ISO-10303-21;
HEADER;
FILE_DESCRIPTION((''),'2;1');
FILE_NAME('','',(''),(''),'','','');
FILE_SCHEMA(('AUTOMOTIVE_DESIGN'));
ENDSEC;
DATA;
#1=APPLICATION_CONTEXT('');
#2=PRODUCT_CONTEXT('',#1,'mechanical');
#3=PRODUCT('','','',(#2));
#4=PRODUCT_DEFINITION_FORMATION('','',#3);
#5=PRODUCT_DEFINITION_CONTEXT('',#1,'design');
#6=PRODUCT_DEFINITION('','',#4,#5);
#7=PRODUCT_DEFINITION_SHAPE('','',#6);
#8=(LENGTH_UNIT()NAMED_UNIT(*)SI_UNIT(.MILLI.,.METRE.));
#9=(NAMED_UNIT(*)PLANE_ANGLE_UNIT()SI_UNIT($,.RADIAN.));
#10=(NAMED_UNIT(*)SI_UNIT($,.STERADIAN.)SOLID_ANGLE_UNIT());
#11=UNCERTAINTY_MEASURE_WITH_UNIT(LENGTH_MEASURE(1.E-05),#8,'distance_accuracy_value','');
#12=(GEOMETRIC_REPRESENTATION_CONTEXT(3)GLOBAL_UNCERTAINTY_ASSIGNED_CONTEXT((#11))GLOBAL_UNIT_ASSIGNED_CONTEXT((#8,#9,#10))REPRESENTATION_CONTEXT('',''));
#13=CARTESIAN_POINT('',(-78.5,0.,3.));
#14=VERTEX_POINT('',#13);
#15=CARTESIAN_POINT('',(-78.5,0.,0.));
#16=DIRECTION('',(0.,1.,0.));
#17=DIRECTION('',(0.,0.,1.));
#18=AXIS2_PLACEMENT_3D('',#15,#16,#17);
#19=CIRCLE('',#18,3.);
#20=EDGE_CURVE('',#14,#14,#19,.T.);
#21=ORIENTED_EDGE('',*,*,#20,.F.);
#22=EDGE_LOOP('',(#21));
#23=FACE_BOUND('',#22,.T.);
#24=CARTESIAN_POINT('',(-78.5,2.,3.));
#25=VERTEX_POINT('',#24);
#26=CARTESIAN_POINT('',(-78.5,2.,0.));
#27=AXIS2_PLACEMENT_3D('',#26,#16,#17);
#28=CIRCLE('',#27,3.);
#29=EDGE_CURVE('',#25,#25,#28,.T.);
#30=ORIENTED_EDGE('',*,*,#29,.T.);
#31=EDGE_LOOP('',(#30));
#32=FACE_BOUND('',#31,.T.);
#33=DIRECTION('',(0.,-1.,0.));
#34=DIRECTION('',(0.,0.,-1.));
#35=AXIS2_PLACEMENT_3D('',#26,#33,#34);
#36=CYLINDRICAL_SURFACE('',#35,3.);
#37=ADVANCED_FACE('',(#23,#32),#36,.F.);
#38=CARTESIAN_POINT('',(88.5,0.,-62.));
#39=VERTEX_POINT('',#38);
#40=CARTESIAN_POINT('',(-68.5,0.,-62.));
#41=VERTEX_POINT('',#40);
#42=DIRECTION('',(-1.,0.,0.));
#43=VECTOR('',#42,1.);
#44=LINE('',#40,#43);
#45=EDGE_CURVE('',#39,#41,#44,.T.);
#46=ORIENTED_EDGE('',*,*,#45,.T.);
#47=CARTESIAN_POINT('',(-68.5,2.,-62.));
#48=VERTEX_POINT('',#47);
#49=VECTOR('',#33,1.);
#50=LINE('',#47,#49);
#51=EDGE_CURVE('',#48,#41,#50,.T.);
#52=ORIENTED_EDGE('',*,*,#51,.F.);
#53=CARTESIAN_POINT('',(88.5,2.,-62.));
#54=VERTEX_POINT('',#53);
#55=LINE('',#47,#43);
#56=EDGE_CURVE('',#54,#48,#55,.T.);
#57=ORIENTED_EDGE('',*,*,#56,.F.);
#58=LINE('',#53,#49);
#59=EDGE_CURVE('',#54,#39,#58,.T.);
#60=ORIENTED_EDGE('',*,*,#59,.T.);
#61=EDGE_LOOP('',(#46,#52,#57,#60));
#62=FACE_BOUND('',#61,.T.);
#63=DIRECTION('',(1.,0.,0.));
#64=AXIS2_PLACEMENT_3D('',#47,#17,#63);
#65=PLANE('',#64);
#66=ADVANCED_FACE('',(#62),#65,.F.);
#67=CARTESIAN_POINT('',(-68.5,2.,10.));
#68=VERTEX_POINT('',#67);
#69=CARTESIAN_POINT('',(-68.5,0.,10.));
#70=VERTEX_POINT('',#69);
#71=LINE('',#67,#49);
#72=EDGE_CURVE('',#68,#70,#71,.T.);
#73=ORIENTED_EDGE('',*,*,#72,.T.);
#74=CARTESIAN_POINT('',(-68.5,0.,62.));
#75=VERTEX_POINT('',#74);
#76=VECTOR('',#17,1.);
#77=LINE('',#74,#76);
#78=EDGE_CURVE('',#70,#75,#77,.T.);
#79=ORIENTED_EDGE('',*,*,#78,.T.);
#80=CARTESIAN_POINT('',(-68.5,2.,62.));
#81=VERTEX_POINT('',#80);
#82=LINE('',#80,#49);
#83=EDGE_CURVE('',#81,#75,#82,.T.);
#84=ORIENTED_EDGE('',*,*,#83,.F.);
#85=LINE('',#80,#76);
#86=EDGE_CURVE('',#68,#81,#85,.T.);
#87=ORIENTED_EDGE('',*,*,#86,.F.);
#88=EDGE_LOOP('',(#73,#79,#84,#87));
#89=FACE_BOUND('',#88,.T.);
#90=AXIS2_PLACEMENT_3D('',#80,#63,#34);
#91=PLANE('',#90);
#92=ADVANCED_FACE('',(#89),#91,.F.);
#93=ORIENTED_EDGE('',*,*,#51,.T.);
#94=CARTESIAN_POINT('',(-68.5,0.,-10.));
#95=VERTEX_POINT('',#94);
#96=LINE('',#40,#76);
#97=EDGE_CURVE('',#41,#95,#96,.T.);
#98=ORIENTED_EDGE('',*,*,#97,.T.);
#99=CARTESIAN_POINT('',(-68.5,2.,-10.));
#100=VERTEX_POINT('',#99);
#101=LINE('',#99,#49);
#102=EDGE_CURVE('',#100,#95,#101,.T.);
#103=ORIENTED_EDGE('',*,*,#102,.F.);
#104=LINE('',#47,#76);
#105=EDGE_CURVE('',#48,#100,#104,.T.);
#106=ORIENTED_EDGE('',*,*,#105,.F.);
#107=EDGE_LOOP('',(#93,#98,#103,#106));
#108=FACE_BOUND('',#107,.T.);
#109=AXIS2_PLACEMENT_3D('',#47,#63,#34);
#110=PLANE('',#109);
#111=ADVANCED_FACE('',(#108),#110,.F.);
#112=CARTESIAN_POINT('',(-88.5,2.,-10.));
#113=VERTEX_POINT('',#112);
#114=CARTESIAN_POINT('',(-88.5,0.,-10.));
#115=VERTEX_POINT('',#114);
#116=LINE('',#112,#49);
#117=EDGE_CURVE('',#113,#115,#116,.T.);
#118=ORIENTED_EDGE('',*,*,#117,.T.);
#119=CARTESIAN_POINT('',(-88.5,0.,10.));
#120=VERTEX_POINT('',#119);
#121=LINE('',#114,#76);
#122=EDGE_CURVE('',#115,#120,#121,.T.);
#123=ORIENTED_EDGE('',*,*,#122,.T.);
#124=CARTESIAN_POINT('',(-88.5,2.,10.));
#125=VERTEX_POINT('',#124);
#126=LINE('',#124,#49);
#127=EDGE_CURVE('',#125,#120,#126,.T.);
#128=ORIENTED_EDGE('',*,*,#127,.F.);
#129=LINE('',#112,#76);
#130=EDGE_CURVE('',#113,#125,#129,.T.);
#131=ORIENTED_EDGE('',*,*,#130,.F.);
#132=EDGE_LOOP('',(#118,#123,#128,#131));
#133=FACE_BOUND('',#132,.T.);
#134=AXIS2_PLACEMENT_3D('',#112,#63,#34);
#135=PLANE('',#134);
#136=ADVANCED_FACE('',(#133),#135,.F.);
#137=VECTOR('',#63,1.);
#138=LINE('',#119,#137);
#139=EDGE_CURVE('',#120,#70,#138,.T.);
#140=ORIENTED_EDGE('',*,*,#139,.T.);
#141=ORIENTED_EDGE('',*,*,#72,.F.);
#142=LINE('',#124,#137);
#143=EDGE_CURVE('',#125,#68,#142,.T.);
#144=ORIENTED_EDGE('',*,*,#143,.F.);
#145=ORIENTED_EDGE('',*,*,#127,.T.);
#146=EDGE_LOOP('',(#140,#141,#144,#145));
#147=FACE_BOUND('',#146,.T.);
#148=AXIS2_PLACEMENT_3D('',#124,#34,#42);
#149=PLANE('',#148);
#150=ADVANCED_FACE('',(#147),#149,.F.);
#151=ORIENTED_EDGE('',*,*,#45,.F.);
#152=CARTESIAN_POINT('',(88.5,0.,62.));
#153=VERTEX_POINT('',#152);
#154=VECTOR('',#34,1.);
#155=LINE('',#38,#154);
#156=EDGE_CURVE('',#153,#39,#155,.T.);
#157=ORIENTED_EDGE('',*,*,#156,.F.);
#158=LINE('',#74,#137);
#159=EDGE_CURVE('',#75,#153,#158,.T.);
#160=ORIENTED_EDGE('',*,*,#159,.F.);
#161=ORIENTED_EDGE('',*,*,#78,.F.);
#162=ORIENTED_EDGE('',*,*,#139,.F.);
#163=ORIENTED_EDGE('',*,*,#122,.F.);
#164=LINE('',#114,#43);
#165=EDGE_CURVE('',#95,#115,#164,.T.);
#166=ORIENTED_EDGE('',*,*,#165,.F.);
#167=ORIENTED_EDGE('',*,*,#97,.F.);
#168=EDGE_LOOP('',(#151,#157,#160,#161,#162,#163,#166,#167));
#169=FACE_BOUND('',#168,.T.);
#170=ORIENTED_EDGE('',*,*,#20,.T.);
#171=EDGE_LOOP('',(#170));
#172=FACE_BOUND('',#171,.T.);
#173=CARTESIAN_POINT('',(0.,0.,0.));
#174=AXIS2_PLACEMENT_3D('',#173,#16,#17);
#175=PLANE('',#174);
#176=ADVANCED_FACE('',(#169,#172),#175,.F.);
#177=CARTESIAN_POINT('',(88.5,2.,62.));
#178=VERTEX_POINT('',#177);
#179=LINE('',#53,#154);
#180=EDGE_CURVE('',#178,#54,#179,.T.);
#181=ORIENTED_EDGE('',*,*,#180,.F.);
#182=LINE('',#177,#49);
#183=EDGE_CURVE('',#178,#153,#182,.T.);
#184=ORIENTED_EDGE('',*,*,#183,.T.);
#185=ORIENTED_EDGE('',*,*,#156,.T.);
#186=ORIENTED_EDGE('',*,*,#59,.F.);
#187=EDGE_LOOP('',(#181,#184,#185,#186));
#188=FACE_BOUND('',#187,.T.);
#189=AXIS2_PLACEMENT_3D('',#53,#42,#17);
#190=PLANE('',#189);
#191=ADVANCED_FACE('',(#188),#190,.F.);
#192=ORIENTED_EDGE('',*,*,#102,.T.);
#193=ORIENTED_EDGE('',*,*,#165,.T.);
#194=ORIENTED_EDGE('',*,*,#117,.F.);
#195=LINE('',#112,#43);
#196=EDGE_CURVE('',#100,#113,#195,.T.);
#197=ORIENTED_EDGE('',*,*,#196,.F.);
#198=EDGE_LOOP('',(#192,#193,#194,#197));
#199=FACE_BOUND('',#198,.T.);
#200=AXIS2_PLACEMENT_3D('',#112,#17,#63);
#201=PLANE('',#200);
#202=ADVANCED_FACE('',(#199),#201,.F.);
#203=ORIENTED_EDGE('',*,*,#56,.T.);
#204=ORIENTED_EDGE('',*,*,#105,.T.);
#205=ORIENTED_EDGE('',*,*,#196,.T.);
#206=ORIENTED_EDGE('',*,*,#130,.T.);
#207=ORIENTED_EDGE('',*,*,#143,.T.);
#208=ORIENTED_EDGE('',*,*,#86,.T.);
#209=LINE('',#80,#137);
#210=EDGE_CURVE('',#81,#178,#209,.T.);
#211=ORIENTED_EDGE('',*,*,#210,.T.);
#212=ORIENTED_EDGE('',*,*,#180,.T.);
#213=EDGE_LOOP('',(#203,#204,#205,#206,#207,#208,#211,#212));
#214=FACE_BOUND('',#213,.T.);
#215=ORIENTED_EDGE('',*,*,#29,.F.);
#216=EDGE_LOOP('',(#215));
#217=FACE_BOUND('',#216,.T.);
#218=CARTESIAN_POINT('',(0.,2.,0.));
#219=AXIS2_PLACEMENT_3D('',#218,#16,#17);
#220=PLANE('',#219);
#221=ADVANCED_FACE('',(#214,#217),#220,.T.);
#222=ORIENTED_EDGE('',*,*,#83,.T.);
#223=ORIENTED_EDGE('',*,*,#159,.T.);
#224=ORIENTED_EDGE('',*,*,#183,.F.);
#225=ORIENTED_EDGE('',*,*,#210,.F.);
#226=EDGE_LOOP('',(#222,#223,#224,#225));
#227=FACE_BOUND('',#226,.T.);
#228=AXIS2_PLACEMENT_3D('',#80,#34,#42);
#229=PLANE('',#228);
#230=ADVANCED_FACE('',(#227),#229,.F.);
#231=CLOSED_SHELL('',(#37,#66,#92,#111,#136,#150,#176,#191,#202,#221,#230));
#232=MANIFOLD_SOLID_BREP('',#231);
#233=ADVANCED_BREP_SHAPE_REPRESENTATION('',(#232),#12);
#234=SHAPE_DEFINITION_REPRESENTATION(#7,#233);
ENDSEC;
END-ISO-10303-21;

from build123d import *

# Parameters (mm, degrees)
SKETCH_1_R      = 3
EXTRUDE_1_DEPTH = 2


with BuildPart() as part:
    # ｽｹｯﾁ1 → ﾎﾞｽ - 押し出し1 (new body)
    with BuildSketch(Plane(origin=(0, 0, 0), x_dir=(1, 0, 0), z_dir=(0, 1, 0))):
        Polygon((-68.5, 62), (88.5, 62), (88.5, -62), (-68.5, -62), (-68.5, -10), (-88.5, -10), (-88.5, 10), (-68.5, 10), align=None)
        with Locations(Location((-78.5, 0, 0), (0, 0, 270))):
            Circle(SKETCH_1_R, mode=Mode.SUBTRACT)
    extrude(amount=EXTRUDE_1_DEPTH)


solid = part.part
